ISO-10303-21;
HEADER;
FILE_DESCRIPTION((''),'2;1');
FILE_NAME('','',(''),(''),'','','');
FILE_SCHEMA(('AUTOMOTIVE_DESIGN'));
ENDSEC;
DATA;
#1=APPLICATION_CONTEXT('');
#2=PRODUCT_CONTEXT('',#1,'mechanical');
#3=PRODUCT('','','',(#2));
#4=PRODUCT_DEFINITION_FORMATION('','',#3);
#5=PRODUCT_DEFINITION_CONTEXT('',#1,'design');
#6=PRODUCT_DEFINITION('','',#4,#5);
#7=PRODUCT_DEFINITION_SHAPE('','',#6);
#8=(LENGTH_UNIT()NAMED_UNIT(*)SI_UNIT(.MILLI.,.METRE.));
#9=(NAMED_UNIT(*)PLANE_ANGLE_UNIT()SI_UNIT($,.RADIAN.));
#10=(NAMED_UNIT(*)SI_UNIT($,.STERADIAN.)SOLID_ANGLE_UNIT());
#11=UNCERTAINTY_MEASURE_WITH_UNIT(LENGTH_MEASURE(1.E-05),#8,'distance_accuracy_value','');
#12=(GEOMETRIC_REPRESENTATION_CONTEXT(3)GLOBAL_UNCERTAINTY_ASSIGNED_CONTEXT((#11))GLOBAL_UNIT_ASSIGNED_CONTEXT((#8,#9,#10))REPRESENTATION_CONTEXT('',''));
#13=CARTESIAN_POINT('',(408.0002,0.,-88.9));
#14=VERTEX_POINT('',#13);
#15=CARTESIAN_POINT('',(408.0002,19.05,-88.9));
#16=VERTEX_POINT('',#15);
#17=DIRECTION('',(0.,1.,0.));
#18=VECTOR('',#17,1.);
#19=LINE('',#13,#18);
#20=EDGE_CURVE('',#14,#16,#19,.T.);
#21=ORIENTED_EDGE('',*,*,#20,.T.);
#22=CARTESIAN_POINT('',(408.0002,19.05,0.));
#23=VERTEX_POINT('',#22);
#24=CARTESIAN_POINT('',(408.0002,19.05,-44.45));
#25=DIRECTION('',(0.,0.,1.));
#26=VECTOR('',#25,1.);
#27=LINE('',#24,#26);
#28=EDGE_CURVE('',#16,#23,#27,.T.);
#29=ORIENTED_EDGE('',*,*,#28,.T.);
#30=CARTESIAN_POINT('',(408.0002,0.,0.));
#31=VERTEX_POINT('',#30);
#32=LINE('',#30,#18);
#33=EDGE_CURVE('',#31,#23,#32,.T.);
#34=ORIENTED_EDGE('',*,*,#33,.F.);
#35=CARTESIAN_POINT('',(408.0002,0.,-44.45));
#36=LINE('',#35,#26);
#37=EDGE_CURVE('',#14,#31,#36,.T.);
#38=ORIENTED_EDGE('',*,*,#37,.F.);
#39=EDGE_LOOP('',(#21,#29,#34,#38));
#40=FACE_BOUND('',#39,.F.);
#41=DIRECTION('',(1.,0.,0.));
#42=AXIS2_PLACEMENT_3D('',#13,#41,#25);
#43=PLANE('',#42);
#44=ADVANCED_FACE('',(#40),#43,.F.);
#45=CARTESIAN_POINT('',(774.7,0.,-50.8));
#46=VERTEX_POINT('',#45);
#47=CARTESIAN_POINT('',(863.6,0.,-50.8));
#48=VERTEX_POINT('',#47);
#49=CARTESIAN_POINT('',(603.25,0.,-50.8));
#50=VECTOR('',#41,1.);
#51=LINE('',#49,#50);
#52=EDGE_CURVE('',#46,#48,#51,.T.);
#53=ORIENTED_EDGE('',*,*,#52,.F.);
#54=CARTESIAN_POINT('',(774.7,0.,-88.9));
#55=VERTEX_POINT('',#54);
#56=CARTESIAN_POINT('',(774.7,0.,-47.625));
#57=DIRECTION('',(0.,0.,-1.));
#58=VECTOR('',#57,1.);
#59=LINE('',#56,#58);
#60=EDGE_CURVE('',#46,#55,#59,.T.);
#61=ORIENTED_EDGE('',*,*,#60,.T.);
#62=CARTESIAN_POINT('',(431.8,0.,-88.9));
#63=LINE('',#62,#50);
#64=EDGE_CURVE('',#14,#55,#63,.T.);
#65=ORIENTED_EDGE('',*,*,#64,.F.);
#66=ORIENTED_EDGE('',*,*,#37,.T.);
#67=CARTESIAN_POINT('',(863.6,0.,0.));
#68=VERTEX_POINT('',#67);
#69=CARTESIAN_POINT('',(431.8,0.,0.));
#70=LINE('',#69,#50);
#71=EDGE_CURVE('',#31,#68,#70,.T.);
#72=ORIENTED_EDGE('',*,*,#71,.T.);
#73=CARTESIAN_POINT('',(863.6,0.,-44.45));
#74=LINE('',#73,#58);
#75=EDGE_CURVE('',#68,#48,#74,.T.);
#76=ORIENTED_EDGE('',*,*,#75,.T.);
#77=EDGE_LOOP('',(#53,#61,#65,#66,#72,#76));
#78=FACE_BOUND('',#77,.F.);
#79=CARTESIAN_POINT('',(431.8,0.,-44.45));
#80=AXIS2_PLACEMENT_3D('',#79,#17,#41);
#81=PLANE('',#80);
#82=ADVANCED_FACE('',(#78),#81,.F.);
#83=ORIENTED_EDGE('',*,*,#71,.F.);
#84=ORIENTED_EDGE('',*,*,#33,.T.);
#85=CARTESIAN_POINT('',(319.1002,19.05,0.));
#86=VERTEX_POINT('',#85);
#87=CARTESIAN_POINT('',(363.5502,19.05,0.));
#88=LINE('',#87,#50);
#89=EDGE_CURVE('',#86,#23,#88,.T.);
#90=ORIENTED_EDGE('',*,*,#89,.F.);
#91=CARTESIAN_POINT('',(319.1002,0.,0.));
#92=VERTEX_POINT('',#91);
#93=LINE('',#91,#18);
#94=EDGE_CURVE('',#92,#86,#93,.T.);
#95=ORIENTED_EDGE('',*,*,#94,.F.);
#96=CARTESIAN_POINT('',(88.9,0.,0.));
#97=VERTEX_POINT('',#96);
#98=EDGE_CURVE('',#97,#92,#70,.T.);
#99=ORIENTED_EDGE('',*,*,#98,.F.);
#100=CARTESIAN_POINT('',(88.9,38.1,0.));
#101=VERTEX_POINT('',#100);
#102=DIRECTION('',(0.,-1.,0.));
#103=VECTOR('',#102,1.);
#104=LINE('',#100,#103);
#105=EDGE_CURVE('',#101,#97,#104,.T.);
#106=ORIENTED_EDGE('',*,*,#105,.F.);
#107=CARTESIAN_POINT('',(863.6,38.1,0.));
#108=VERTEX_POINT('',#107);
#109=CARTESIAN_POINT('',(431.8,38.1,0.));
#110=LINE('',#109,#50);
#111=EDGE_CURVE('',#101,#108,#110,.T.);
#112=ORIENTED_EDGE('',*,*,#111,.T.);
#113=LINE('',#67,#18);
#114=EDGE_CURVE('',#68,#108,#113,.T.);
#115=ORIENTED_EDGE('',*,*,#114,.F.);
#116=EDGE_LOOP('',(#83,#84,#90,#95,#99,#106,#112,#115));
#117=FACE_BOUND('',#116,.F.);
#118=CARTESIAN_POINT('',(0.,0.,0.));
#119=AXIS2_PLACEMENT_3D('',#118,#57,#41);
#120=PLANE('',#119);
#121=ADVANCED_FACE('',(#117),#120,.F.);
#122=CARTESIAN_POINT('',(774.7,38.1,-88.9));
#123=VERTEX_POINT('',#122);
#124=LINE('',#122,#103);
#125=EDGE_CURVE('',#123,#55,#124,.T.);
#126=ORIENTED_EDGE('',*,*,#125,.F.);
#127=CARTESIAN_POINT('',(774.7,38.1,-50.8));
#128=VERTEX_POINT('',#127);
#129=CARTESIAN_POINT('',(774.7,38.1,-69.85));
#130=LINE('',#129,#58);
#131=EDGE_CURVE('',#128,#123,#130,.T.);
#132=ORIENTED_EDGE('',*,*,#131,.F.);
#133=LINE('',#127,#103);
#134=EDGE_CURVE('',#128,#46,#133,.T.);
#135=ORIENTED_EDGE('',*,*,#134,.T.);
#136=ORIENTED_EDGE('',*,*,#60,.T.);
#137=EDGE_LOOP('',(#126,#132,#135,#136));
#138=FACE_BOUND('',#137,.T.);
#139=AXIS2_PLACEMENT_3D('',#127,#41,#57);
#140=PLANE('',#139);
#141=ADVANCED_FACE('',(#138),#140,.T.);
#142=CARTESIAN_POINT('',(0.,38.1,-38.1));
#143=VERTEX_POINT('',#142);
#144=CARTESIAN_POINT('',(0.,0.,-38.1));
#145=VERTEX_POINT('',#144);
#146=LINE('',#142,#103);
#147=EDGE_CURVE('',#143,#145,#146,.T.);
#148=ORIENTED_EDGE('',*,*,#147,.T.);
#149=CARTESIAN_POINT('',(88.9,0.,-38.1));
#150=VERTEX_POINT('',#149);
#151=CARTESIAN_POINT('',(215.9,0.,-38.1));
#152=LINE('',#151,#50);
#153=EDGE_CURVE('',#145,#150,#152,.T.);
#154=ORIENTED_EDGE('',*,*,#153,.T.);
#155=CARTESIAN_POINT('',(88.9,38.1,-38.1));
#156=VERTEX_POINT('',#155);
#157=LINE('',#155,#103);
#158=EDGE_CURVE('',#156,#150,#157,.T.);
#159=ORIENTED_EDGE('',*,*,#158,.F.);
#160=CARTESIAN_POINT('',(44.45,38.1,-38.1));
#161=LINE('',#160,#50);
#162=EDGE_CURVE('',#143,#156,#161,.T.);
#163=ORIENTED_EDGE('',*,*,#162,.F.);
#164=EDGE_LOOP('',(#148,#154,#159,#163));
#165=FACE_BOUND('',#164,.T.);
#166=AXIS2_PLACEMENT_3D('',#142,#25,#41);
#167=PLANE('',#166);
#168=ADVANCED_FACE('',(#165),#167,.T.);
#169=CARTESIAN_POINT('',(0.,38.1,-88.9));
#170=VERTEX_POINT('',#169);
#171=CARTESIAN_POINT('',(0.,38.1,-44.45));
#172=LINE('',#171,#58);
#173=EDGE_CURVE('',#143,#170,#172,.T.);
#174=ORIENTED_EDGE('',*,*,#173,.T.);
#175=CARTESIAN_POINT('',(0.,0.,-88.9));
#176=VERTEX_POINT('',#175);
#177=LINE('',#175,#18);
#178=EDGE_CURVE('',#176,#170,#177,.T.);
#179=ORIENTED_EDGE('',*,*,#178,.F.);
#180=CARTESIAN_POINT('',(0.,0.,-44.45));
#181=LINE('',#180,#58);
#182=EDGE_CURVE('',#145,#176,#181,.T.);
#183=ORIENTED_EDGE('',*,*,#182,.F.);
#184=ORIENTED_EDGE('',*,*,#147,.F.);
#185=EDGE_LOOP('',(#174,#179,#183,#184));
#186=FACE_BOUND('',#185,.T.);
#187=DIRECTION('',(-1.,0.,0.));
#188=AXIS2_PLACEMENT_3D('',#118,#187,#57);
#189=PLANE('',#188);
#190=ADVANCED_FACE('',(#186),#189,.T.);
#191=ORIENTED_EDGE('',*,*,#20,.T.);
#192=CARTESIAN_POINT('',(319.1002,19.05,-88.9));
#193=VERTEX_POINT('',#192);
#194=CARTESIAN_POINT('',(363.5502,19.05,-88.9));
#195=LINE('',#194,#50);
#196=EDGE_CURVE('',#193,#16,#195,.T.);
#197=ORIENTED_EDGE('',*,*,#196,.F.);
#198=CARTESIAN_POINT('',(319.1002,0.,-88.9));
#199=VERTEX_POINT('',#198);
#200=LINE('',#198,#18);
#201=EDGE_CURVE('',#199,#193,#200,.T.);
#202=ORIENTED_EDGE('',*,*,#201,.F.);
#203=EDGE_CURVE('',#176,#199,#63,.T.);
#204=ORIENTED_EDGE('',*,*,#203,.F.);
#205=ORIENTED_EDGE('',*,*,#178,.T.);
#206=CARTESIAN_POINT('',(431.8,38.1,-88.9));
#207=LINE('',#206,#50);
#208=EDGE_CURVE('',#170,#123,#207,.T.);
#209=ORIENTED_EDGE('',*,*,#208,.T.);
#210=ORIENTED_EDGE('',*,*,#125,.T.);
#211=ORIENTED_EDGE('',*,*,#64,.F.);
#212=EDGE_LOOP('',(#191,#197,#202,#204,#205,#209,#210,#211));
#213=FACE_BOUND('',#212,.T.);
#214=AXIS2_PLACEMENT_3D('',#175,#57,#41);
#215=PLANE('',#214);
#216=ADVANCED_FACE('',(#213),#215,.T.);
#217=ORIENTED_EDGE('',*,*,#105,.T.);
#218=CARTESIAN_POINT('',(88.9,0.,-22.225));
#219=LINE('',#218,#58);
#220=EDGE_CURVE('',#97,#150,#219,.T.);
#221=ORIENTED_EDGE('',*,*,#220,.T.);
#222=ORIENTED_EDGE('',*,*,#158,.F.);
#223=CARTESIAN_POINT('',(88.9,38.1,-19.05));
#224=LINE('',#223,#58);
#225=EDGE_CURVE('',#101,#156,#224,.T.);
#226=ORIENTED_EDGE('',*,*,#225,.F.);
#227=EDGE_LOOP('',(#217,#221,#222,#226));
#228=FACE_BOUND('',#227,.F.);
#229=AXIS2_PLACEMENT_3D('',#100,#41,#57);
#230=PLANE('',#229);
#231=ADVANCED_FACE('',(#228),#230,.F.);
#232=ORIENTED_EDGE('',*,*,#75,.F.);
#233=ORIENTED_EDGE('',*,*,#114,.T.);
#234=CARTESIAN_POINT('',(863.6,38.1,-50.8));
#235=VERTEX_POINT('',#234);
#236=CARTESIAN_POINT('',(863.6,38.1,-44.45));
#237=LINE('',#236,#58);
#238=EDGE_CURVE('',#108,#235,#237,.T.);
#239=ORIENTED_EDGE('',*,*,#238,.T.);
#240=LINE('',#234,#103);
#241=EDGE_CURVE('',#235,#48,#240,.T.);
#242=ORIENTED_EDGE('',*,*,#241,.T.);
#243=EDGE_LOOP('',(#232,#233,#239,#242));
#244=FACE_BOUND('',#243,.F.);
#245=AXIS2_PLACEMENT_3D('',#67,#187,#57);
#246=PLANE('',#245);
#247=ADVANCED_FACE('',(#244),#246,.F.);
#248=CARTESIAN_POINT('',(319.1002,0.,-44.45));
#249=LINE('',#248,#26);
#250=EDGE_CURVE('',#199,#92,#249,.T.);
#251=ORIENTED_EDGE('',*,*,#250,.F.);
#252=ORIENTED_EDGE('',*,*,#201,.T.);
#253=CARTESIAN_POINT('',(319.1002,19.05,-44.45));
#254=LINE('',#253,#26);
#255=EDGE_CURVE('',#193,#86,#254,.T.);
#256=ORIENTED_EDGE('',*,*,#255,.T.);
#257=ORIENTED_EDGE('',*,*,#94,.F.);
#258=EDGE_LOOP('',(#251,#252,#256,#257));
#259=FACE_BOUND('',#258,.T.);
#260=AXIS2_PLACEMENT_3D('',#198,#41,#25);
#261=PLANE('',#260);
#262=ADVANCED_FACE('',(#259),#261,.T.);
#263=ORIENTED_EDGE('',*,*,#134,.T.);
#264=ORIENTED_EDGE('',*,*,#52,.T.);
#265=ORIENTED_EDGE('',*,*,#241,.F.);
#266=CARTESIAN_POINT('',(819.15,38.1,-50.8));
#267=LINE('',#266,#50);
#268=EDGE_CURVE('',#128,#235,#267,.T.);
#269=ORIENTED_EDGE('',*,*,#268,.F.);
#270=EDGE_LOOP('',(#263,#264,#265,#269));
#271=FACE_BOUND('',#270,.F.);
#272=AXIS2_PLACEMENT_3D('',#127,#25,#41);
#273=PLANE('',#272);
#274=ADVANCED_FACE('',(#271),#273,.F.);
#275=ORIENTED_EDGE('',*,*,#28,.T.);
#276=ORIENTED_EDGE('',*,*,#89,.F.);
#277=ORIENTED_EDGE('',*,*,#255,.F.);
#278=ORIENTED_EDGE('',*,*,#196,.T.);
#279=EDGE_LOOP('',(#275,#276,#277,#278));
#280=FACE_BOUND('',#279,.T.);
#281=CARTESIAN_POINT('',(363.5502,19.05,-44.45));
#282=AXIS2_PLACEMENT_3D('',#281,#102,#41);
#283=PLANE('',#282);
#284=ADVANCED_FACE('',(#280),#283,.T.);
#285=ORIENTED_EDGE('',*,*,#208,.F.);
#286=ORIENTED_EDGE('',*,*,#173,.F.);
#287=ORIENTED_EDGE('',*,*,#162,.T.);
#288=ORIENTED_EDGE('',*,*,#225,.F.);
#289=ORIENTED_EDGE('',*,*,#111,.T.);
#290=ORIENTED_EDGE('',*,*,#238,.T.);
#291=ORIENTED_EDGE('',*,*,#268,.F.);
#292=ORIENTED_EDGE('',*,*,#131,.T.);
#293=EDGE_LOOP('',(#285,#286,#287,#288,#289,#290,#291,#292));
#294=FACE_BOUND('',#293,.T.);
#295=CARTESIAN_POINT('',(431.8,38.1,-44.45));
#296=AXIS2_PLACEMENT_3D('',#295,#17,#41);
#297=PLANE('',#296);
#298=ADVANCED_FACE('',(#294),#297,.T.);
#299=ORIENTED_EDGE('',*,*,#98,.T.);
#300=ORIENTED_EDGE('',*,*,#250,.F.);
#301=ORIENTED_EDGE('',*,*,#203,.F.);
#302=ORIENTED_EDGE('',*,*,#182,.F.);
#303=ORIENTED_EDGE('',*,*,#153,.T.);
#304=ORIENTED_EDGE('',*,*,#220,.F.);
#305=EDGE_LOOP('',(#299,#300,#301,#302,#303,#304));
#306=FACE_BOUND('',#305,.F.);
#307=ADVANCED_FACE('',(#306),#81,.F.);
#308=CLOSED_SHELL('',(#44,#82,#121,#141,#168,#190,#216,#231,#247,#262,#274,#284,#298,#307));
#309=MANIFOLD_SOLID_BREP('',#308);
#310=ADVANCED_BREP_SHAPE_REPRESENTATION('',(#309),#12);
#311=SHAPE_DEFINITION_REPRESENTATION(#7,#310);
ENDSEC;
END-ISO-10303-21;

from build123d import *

# Parameters (mm, degrees)
SKETCH1_W           = 863.6
SKETCH1_H           = 88.9
BOSS_EXTRUDE1_DEPTH = 38.1
SKETCH2_W           = 88.9
SKETCH2_H           = 88.9
CUT_EXTRUDE1_DEPTH  = 19.05
SKETCH3_W           = 88.9
SKETCH3_H           = 38.1
CUT_EXTRUDE2_DEPTH  = 39.1
SKETCH4_W           = 88.9
SKETCH4_H           = 38.1
CUT_EXTRUDE3_DEPTH  = 39.1


with BuildPart() as part:
    # Sketch1 → Boss-Extrude1 (new body)
    with BuildSketch(Plane(origin=(0, 0, 0), x_dir=(1, 0, 0), z_dir=(0, 1, 0))):
        with Locations((431.8, 44.45)):
            Rectangle(SKETCH1_W, SKETCH1_H)
    extrude(amount=BOSS_EXTRUDE1_DEPTH)

    # Sketch2 → Cut-Extrude1 (cut)
    with BuildSketch(Plane.XZ):
        with Locations((363.5502, -44.45)):
            Rectangle(SKETCH2_W, SKETCH2_H)
    extrude(amount=-CUT_EXTRUDE1_DEPTH, mode=Mode.SUBTRACT)

    # Sketch3 → Cut-Extrude2 (cut, through all)
    with BuildSketch(Plane(origin=(0, 38.1, 0), x_dir=(1, 0, 0), z_dir=(0, 1, 0))):
        with Locations((44.45, 19.05)):
            Rectangle(SKETCH3_W, SKETCH3_H)
    extrude(amount=-CUT_EXTRUDE2_DEPTH, mode=Mode.SUBTRACT)

    # Sketch4 → Cut-Extrude3 (cut, through all)
    with BuildSketch(Plane(origin=(0, 38.1, 0), x_dir=(1, 0, 0), z_dir=(0, 1, 0))):
        with Locations((819.15, 69.85)):
            Rectangle(SKETCH4_W, SKETCH4_H)
    extrude(amount=-CUT_EXTRUDE3_DEPTH, mode=Mode.SUBTRACT)


solid = part.part
